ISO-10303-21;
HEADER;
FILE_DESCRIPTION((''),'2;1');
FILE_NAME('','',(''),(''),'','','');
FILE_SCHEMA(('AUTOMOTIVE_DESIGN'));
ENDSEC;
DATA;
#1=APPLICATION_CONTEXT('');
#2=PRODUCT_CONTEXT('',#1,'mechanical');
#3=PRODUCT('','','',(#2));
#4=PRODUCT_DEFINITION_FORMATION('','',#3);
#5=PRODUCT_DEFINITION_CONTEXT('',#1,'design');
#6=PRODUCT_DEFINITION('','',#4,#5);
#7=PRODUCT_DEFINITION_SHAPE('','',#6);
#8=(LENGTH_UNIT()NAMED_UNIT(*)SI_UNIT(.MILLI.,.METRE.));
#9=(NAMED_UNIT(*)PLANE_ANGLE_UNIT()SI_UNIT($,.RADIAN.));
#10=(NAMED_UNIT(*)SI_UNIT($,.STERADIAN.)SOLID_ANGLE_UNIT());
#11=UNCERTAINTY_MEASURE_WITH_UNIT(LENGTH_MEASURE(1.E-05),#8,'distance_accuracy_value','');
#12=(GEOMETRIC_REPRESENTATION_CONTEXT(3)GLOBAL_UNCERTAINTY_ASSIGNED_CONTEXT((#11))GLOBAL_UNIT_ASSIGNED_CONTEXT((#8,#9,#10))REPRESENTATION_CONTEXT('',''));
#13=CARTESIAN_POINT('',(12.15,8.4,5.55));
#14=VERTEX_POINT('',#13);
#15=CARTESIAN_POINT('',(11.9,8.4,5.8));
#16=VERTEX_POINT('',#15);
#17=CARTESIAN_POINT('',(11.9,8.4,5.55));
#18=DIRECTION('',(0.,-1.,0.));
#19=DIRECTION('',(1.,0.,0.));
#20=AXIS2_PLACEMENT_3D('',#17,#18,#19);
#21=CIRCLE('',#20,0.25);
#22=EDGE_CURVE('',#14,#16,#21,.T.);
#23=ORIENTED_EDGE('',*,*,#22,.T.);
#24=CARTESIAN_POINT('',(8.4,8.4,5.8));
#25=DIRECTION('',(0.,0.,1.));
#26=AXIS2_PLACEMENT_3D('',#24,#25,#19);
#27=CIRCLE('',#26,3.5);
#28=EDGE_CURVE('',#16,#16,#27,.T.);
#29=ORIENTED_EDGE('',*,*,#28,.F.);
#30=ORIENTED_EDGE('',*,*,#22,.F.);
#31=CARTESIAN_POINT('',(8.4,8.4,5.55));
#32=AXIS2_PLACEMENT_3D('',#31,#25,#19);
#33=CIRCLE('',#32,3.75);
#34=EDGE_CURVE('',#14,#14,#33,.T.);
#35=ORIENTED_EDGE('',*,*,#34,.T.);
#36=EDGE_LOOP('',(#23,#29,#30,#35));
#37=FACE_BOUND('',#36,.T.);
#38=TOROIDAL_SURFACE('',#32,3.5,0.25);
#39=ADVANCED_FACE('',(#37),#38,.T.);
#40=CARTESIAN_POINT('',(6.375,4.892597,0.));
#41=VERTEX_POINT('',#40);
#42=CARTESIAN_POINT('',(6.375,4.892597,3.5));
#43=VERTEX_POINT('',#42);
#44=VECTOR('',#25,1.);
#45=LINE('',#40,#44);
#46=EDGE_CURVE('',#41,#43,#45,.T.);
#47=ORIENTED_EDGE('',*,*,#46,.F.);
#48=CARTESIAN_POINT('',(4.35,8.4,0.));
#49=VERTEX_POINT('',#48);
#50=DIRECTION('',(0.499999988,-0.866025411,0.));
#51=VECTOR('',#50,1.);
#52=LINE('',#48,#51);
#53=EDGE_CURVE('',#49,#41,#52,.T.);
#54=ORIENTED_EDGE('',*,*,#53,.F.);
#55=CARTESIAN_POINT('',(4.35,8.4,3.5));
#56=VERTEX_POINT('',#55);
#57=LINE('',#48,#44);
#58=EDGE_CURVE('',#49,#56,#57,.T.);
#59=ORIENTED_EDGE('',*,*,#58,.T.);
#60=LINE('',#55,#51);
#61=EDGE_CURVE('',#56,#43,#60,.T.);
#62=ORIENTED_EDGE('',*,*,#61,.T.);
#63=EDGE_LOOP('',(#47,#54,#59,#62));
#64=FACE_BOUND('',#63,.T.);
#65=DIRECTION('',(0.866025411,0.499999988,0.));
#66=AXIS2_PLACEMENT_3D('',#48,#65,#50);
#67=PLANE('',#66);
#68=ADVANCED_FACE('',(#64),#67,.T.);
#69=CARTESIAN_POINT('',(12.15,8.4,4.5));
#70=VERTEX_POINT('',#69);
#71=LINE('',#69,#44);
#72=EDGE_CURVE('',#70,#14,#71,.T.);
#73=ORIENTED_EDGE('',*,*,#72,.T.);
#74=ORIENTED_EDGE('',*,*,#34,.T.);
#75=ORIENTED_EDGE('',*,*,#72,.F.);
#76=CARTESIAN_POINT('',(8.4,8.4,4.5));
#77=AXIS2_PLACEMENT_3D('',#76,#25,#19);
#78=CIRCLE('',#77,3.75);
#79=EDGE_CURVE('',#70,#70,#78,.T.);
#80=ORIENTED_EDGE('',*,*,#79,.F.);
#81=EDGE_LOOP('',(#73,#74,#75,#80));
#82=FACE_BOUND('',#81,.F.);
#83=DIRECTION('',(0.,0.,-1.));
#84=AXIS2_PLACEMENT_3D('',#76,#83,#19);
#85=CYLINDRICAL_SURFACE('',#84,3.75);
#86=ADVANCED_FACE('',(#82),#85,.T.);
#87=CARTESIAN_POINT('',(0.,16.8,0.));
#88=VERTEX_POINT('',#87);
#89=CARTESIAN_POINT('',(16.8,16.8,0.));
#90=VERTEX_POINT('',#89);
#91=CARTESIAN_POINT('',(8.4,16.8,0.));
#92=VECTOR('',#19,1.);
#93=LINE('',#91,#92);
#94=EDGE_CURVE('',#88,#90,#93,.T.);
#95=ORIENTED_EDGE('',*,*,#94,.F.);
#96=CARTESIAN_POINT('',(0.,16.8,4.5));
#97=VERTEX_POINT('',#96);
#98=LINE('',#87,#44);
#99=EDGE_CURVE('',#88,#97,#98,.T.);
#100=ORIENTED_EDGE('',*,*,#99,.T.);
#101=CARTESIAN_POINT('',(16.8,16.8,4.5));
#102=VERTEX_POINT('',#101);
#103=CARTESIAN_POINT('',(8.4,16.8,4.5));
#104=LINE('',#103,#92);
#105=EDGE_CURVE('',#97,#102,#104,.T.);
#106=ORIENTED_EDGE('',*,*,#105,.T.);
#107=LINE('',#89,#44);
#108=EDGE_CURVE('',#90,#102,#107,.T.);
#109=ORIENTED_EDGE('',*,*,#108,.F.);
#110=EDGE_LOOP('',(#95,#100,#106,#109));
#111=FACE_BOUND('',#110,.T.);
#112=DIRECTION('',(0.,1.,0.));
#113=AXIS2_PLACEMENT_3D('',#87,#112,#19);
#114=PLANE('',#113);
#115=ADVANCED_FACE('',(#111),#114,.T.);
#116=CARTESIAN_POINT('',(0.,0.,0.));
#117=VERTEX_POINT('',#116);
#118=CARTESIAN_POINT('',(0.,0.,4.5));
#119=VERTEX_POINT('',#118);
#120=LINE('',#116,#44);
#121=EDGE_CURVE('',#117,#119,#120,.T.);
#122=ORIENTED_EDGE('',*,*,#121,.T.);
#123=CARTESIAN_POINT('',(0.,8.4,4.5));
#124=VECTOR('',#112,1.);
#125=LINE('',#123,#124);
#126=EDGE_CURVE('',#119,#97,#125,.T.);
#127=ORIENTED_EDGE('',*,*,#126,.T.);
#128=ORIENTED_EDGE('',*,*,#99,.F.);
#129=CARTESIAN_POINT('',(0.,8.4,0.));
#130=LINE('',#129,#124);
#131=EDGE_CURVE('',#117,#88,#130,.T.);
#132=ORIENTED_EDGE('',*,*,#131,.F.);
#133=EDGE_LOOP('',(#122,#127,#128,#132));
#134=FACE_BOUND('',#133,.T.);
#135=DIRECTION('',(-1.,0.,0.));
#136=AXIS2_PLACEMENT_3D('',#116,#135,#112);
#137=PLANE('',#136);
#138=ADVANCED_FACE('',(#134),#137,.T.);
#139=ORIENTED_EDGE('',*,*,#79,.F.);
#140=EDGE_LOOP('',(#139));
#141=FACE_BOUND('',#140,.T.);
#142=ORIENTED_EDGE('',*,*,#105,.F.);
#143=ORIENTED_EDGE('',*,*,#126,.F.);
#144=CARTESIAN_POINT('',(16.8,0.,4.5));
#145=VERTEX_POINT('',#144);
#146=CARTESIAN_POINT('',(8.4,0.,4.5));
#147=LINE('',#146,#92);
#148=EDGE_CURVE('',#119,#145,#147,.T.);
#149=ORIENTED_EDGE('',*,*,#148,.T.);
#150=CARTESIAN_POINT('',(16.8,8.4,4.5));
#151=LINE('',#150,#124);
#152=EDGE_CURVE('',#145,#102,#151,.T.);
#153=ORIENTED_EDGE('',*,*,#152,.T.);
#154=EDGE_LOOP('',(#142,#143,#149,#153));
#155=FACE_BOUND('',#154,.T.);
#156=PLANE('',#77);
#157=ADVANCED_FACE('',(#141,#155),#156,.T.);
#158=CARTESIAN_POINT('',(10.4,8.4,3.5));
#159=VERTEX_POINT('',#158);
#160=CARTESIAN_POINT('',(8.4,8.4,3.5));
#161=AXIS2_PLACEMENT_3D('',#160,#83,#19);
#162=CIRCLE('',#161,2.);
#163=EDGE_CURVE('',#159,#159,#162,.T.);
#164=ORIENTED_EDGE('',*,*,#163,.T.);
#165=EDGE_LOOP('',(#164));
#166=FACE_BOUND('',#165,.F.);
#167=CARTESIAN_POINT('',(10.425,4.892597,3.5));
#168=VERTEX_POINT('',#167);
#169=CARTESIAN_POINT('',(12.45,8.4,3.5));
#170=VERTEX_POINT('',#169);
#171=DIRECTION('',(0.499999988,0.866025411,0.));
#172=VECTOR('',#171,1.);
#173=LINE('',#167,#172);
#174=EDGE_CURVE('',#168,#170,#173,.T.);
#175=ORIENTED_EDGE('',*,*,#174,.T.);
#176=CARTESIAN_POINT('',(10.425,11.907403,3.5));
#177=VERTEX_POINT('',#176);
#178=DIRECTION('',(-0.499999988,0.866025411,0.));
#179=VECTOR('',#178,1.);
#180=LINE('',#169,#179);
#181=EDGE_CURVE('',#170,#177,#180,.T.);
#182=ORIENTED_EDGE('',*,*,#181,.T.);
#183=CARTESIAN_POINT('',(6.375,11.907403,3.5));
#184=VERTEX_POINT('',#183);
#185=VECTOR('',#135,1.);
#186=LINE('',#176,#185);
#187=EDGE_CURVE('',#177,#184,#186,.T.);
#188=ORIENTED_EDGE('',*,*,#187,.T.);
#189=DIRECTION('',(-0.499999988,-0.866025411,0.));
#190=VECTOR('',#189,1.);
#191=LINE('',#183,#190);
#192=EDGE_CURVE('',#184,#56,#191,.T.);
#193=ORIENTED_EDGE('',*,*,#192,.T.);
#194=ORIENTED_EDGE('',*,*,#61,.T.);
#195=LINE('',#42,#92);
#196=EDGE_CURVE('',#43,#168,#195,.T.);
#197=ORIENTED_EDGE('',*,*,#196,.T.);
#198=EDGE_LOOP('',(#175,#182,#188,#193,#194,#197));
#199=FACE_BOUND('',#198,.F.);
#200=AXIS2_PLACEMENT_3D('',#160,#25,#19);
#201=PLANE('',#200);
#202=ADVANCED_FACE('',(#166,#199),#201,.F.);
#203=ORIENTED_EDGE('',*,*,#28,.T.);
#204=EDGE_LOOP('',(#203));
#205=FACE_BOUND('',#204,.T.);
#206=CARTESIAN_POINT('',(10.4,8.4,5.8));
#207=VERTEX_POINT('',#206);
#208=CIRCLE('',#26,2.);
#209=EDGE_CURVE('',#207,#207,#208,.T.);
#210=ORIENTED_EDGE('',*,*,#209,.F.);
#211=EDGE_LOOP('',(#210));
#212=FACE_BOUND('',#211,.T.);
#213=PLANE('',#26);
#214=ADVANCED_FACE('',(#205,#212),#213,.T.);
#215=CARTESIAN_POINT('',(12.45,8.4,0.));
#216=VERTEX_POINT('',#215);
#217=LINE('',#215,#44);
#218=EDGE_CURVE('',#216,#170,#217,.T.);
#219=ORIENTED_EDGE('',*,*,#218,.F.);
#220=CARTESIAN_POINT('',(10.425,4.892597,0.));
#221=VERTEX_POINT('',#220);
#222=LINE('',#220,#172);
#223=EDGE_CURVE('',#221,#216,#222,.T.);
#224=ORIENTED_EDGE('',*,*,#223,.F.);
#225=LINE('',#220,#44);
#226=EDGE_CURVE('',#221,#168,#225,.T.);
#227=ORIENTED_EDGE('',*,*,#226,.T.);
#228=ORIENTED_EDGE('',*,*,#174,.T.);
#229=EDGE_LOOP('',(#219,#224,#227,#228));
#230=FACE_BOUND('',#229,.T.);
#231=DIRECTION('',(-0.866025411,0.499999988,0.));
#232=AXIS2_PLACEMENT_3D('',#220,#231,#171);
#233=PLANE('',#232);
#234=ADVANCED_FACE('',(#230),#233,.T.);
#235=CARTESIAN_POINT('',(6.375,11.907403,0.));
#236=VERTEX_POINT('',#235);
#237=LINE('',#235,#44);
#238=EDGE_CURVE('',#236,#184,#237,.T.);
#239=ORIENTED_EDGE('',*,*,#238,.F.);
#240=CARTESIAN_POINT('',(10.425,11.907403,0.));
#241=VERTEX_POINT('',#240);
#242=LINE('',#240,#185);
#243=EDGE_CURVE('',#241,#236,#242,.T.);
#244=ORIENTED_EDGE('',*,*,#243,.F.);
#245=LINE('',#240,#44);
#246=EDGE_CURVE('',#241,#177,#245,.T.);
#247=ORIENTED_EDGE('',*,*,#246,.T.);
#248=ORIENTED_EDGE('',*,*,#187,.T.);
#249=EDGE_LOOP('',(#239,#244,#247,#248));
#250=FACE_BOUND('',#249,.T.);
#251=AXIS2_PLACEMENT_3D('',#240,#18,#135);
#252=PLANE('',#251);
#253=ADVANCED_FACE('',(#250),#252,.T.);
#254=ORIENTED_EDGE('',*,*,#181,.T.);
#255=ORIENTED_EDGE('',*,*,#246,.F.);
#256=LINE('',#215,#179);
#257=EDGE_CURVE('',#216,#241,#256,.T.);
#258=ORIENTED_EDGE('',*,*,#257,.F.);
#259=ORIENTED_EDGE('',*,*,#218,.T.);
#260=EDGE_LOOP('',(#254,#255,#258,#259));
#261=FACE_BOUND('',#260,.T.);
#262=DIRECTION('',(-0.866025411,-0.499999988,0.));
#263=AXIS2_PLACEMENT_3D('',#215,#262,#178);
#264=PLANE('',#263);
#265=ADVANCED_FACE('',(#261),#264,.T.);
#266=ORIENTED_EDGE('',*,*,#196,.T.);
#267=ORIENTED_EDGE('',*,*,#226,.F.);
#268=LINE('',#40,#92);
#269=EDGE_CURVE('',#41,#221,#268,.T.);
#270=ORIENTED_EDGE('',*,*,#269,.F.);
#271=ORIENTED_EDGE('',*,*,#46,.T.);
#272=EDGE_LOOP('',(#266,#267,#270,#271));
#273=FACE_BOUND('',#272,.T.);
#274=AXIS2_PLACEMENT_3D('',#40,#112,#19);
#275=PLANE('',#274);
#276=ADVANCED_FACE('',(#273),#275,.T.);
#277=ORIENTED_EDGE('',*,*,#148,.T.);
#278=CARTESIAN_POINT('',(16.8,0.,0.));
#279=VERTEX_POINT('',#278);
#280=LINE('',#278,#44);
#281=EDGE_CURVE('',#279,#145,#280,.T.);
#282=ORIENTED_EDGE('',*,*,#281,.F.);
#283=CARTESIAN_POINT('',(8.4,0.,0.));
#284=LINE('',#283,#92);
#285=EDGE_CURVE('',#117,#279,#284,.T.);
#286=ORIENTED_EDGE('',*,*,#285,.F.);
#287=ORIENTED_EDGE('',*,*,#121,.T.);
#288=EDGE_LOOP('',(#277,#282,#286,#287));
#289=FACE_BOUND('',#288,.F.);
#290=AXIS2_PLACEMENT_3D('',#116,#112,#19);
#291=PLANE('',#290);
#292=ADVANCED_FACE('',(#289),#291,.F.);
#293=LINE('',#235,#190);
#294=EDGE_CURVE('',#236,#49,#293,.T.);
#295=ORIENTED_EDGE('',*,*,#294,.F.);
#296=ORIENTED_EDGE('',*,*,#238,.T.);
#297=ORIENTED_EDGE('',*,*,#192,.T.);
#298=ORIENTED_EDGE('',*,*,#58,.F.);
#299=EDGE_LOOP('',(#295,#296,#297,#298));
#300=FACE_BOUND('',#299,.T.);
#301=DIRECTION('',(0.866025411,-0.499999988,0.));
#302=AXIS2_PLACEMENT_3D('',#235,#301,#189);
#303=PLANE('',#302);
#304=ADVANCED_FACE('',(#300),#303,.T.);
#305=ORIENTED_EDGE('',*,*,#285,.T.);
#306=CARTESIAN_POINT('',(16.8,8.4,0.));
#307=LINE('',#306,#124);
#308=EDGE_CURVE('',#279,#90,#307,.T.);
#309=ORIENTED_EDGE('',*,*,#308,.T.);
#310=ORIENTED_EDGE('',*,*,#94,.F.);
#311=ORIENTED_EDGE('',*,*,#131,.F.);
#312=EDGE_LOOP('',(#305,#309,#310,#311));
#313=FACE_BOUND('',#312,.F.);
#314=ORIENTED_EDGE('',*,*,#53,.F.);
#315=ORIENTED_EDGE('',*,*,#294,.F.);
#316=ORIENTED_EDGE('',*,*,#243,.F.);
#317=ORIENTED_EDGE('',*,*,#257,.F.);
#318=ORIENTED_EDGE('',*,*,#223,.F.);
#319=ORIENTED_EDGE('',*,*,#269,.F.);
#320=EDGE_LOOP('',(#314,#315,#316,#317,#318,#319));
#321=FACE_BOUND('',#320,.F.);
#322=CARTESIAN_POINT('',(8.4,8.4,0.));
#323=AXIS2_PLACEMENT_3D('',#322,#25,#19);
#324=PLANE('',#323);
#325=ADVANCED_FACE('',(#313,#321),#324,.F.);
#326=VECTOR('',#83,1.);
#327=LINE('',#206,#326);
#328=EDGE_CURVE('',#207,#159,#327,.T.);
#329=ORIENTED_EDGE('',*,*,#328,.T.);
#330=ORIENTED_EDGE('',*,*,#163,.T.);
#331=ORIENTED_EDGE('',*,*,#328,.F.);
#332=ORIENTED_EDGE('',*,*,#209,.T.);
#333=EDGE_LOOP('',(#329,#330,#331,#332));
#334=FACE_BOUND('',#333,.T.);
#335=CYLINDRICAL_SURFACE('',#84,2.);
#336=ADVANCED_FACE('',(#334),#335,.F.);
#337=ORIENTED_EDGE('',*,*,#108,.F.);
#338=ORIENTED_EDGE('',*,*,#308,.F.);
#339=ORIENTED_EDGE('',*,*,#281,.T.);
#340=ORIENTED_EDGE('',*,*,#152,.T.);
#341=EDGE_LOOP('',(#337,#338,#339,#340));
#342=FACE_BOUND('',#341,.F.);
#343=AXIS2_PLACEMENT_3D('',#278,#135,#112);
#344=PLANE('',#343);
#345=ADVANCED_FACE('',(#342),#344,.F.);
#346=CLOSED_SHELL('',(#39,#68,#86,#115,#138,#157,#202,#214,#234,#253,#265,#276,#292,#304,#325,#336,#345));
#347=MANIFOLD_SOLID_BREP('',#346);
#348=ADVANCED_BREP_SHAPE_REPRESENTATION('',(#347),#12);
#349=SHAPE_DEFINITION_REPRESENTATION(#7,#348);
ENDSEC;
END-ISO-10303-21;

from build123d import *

# Parameters (mm, degrees)
SKETCH_W      = 16.8
SKETCH_H      = 16.8
SKETCH_R      = 2
PAD_DEPTH     = 4.5
SKETCH002_R   = 3.75
SKETCH002_R_2 = 2
PAD001_DEPTH  = 1.3
POCKET_DEPTH  = 3.5
FILLET_R      = 0.25


with BuildPart() as part:
    # Sketch → Pad (new body)
    with BuildSketch(Plane.XY):
        with Locations((8.4, 8.4)):
            Rectangle(SKETCH_W, SKETCH_H)
        with Locations((8.4, 8.4)):
            Circle(SKETCH_R, mode=Mode.SUBTRACT)
    extrude(amount=PAD_DEPTH)

    # Sketch002 (on Face7 of Pad) → Pad001 (join)
    with BuildSketch(Plane.XY.offset(4.5)):
        with Locations((8.4, 8.4)):
            Circle(SKETCH002_R)
        with Locations((8.4, 8.4)):
            Circle(SKETCH002_R_2, mode=Mode.SUBTRACT)
    extrude(amount=PAD001_DEPTH)

    # Sketch001 → Pocket (cut)
    with BuildSketch(Plane.XY):
        Polygon((12.45, 8.4), (10.425, 11.907403), (6.375, 11.907403), (4.35, 8.4), (6.375, 4.892597), (10.425, 4.892597), align=None)
    extrude(amount=POCKET_DEPTH, mode=Mode.SUBTRACT)

    # Fillet
    fillet_edges = [part.edges().sort_by_distance(p)[0] for p in [
        (4.65, 8.4, 5.8),
    ]]
    fillet(fillet_edges, radius=FILLET_R)


solid = part.part
